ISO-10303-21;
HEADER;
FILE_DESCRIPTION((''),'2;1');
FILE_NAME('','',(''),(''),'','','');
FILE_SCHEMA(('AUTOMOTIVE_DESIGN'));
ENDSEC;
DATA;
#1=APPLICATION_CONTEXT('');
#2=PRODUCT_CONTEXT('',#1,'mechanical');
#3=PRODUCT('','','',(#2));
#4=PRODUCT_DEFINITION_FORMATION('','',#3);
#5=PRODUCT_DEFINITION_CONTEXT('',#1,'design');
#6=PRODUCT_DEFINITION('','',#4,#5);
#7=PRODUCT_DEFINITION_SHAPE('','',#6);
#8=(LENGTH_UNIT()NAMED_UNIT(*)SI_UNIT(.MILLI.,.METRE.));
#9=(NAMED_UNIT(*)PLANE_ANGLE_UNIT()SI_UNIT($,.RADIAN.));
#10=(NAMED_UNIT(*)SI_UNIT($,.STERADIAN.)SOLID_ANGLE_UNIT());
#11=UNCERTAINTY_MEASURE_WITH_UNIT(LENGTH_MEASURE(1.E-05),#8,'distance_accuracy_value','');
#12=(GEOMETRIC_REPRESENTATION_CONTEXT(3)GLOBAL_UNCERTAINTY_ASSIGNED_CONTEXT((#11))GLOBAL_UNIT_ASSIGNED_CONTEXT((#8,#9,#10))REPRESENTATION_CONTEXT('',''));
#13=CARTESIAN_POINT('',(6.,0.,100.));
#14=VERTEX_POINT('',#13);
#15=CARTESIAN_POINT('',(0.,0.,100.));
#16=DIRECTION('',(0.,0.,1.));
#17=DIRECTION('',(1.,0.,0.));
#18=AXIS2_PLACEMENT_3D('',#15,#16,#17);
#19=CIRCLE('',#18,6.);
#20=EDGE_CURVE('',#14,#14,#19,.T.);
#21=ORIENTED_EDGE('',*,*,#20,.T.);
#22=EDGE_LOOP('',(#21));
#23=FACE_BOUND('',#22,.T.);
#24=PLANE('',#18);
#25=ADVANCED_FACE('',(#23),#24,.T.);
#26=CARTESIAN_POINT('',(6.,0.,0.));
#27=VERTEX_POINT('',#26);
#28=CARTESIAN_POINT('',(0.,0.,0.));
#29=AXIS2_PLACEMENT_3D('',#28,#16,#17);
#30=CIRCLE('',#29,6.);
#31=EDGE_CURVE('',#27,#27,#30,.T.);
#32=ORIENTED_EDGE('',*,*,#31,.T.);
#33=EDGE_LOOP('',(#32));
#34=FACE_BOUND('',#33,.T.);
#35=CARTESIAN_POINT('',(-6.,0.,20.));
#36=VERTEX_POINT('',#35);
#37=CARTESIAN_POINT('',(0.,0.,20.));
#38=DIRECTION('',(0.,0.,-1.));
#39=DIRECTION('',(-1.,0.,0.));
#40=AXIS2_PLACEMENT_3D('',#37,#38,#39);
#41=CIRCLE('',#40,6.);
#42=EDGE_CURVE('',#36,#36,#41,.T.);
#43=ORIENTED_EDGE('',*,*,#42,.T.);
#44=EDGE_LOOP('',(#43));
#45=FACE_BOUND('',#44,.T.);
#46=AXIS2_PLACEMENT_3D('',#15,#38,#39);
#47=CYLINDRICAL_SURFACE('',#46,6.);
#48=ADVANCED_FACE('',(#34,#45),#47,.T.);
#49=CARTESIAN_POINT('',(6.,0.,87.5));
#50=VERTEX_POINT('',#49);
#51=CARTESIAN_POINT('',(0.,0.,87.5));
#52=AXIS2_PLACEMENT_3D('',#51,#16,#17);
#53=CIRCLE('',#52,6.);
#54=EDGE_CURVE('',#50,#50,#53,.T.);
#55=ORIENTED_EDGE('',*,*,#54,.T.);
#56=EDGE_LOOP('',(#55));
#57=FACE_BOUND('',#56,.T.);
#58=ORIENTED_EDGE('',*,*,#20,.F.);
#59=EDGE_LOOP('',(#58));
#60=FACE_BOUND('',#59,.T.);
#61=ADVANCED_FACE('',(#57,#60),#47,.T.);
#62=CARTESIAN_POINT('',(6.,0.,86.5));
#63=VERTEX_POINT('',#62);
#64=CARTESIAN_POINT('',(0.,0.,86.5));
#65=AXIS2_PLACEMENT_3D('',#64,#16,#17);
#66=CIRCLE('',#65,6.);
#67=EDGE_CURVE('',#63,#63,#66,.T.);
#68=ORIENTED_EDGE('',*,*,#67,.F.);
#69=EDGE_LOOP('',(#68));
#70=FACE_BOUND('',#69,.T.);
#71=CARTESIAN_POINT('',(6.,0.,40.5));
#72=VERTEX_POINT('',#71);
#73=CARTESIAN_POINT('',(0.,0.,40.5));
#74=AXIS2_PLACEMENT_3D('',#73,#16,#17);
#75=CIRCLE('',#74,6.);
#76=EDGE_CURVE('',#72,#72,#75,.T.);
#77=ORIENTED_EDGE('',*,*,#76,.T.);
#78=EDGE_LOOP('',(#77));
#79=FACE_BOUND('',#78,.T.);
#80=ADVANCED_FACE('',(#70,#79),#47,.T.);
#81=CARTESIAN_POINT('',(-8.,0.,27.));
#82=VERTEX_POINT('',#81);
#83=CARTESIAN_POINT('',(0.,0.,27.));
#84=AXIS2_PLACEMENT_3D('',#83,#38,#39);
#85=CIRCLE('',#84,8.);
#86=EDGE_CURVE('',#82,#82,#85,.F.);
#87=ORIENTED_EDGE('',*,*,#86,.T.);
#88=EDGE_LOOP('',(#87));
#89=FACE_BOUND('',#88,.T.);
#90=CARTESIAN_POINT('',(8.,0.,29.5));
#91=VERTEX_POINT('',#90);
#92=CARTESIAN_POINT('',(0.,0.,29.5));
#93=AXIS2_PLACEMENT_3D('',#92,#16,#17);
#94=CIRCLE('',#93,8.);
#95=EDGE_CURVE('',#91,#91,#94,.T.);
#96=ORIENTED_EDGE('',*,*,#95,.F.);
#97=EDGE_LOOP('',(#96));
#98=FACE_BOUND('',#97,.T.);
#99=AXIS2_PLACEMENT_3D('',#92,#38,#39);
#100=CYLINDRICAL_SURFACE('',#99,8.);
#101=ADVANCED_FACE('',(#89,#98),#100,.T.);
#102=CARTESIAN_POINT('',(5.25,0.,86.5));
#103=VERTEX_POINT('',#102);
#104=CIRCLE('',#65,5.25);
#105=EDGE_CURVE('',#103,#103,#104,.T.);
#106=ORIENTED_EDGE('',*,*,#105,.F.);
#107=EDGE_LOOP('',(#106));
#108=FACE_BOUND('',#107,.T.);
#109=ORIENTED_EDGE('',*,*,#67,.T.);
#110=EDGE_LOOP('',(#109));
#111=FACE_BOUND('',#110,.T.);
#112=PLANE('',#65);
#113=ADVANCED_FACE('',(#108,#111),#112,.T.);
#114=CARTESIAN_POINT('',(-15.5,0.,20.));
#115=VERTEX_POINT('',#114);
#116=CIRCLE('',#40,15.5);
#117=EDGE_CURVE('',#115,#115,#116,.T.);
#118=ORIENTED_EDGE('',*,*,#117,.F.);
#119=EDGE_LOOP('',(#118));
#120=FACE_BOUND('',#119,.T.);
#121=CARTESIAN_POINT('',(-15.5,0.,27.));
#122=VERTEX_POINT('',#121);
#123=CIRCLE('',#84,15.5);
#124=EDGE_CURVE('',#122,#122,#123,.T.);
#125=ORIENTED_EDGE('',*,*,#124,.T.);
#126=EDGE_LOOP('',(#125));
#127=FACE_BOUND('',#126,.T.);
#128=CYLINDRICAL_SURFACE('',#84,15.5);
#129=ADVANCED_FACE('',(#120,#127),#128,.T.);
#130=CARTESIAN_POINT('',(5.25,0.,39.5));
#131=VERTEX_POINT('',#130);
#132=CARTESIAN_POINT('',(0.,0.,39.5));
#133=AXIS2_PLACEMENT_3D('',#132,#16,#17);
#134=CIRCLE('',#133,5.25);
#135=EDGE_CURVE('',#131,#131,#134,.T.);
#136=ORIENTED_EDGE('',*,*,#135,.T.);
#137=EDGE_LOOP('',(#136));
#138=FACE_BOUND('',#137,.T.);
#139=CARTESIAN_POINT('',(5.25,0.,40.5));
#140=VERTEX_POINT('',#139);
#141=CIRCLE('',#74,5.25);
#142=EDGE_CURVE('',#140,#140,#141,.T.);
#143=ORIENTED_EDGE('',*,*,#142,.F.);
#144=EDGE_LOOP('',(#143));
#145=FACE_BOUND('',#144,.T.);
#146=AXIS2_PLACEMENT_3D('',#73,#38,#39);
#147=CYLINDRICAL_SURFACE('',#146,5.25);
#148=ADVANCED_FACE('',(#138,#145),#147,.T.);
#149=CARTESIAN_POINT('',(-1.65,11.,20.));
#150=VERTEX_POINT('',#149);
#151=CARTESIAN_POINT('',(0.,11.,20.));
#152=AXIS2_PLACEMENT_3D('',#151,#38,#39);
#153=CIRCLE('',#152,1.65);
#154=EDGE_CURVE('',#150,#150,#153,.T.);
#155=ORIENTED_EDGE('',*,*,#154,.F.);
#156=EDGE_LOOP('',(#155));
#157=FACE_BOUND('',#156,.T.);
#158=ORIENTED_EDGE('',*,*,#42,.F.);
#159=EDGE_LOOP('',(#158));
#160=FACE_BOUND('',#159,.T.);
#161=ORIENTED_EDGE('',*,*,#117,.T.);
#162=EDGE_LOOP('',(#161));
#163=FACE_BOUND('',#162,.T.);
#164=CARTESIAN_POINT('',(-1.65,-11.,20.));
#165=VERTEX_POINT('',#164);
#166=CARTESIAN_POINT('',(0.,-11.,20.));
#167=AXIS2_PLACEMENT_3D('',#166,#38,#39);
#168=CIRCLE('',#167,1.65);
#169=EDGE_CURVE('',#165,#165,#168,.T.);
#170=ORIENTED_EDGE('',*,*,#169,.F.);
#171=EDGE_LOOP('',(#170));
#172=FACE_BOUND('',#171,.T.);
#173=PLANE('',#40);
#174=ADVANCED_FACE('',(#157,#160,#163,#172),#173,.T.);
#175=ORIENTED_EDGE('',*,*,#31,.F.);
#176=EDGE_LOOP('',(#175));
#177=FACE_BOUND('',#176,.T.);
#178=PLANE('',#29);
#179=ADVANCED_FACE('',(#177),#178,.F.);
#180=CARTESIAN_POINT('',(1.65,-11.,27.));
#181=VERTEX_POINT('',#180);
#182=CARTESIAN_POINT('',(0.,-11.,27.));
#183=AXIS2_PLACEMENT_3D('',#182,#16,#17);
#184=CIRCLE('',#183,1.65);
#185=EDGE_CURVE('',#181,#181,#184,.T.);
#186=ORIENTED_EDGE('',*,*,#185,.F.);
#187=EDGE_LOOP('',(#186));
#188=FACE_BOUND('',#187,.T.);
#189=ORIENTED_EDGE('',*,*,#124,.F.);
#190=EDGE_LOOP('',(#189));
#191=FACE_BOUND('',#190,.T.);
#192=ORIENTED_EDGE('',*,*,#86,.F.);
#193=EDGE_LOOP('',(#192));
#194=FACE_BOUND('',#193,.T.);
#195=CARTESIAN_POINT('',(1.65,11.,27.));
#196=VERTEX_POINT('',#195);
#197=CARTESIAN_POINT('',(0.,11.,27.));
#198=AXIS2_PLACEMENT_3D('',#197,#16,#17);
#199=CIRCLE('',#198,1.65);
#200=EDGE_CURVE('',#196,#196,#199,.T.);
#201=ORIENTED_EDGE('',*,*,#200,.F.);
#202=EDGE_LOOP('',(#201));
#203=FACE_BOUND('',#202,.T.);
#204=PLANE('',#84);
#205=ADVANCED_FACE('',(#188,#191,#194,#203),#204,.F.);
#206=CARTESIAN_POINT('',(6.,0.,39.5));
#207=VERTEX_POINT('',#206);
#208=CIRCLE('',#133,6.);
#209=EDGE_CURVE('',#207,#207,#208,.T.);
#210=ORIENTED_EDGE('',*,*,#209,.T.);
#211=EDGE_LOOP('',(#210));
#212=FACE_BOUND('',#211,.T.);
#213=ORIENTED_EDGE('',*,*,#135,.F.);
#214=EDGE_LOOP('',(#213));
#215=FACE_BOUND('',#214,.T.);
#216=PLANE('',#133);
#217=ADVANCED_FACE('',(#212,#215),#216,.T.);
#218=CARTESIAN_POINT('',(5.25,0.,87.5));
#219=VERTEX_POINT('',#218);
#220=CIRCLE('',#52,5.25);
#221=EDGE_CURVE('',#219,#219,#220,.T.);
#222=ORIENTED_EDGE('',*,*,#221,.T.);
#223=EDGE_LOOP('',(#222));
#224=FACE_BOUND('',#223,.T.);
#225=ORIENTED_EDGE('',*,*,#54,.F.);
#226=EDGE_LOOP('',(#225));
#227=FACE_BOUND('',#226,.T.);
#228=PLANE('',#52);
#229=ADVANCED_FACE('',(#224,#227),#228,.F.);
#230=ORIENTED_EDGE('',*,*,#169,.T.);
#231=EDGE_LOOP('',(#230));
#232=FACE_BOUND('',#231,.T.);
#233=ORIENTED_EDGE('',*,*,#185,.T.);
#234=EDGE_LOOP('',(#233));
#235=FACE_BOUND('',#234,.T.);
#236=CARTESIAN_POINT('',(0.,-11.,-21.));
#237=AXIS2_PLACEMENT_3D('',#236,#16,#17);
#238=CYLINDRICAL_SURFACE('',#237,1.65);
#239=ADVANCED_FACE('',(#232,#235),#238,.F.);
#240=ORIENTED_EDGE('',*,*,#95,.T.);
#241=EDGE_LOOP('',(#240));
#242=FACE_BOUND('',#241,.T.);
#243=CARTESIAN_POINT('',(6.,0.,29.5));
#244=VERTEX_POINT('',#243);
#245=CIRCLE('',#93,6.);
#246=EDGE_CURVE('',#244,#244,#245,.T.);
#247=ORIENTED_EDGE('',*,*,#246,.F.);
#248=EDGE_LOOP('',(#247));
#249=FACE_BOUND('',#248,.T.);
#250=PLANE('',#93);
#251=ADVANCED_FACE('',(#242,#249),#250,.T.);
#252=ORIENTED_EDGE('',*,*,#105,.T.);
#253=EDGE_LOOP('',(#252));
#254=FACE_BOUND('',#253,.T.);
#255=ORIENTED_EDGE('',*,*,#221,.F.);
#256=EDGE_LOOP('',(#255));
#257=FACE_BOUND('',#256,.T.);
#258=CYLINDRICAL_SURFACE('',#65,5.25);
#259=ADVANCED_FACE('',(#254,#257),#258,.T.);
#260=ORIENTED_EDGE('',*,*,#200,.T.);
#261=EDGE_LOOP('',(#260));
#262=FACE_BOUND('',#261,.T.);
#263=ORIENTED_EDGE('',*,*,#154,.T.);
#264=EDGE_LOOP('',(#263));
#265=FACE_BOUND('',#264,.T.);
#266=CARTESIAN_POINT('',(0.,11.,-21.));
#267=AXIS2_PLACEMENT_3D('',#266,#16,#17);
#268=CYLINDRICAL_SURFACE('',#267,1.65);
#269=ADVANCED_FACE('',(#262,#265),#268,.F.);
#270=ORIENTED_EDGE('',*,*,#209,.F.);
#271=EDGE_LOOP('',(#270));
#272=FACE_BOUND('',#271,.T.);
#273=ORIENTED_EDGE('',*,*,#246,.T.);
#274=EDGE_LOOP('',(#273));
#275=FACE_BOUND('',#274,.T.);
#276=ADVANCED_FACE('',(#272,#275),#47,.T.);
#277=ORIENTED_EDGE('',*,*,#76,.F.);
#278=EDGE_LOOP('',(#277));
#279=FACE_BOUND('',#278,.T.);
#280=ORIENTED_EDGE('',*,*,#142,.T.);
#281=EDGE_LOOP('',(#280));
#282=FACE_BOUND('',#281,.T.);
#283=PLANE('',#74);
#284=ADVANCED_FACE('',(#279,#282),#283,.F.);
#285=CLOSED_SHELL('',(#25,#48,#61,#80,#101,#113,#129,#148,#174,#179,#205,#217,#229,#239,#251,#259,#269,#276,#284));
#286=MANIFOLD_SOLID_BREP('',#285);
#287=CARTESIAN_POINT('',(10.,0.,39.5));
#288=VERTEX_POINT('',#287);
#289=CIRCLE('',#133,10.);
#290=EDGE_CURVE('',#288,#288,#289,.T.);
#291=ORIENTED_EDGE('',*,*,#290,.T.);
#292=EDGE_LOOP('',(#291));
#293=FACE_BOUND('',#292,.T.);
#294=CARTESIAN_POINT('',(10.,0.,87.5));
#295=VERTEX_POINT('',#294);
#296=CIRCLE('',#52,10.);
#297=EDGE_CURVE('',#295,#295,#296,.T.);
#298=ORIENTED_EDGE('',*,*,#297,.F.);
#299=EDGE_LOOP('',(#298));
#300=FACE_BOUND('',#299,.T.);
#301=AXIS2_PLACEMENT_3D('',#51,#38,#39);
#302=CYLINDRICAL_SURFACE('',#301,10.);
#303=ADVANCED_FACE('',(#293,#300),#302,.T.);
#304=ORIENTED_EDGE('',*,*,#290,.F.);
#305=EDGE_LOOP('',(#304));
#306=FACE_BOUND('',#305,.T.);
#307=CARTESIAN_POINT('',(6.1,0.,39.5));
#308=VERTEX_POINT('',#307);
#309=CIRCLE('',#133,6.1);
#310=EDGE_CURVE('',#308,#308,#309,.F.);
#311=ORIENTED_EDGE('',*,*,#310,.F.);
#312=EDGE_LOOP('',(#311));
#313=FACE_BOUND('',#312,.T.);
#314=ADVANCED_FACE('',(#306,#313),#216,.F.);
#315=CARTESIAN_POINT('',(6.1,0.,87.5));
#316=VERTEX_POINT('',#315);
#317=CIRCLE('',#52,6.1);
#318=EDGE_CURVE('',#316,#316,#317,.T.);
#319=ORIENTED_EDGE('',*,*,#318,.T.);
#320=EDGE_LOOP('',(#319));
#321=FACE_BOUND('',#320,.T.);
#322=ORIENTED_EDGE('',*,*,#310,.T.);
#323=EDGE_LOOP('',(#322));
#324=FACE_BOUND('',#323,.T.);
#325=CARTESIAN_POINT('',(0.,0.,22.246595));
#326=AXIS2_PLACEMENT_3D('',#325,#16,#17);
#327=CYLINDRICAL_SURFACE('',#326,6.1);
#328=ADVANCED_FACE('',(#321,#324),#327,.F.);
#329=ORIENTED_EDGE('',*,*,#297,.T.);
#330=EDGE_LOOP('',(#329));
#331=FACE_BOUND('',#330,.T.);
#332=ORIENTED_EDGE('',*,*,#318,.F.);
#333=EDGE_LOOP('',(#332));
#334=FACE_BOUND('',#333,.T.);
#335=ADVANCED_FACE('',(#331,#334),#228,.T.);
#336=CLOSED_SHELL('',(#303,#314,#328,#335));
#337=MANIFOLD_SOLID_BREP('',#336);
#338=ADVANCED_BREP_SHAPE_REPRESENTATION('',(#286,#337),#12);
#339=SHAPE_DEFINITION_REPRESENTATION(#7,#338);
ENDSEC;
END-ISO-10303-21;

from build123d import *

# Parameters (mm, degrees)
SKETCH1_R           = 6
BOSS_EXTRUDE1_DEPTH = 100
SKETCH2_R           = 15.5
BOSS_EXTRUDE2_DEPTH = 7
SKETCH3_R           = 8
BOSS_EXTRUDE3_DEPTH = 2.5
SKETCH4_R           = 10
BOSS_EXTRUDE4_DEPTH = 48
SKETCH5_R           = 1.65
CUT_EXTRUDE1_DEPTH  = 48
CUT_EXTRUDE2_START  = -48
SKETCH6_R           = 6.1
SKETCH6_R_2         = 6
CUT_EXTRUDE2_DEPTH  = 48
SKETCH7_R           = 6
SKETCH7_R_2         = 5.25
CUT_EXTRUDE3_DEPTH  = 1
SKETCH8_R           = 6
SKETCH8_R_2         = 5.25
CUT_EXTRUDE4_DEPTH  = 1


with BuildPart() as part:
    # Sketch1 → Boss-Extrude1 (new body)
    with BuildSketch(Plane.XY):
        Circle(SKETCH1_R)
    extrude(amount=BOSS_EXTRUDE1_DEPTH)

    # Sketch2 → Boss-Extrude2 (add)
    with BuildSketch(Plane(origin=(0, 0, 20), x_dir=(-1, 0, 0), z_dir=(0, 0, -1))):
        Circle(SKETCH2_R)
    extrude(amount=-BOSS_EXTRUDE2_DEPTH)

    # Sketch3 → Boss-Extrude3 (add)
    with BuildSketch(Plane.XY.offset(27)):
        with Locations(Location((0, 0, 0), (0, 0, 180))):
            Circle(SKETCH3_R)
    extrude(amount=BOSS_EXTRUDE3_DEPTH)

    # Sketch4 → Boss-Extrude4 (add)
    with BuildSketch(Plane.XY.offset(39.5)):
        Circle(SKETCH4_R)
    extrude(amount=BOSS_EXTRUDE4_DEPTH)

    # Sketch5 → Cut-Extrude1 (cut)
    with BuildSketch(Plane.XY.offset(27)):
        with Locations((0, 11)):
            Circle(SKETCH5_R)
        with Locations((0, -11)):
            Circle(SKETCH5_R)
    extrude(amount=-CUT_EXTRUDE1_DEPTH, mode=Mode.SUBTRACT)

    # Sketch6 → Cut-Extrude2 (cut)
    with BuildSketch(Plane.XY.offset(87.5).offset(CUT_EXTRUDE2_START)):
        Circle(SKETCH6_R)
        with Locations(Location((0, 0, 0), (0, 0, 180))):
            Circle(SKETCH6_R_2, mode=Mode.SUBTRACT)
    extrude(amount=CUT_EXTRUDE2_DEPTH, mode=Mode.SUBTRACT)


with BuildPart() as cut_extrude2_piece_1:
    # of the separate pieces the step leaves, piece 1, a body of its own (cut_extrude2_pieces)
    add(part.part.solids().sort_by_distance((6, 0, 0))[0])

    # Sketch7 → Cut-Extrude3 (cut)
    with BuildSketch(Plane.XY.offset(39.5)):
        Circle(SKETCH7_R)
        Circle(SKETCH7_R_2, mode=Mode.SUBTRACT)
    extrude(amount=CUT_EXTRUDE3_DEPTH, mode=Mode.SUBTRACT)

    # Sketch8 → Cut-Extrude4 (cut)
    with BuildSketch(Plane.XY.offset(87.5)):
        Circle(SKETCH8_R)
        Circle(SKETCH8_R_2, mode=Mode.SUBTRACT)
    extrude(amount=-CUT_EXTRUDE4_DEPTH, mode=Mode.SUBTRACT)


with BuildPart() as cut_extrude2_piece_2:
    # of the separate pieces the step leaves, piece 2, a body of its own (cut_extrude2_pieces)
    add(part.part.solids().sort_by_distance((10, 0, 39.5))[0])


solid = Compound([cut_extrude2_piece_1.part, cut_extrude2_piece_2.part])
